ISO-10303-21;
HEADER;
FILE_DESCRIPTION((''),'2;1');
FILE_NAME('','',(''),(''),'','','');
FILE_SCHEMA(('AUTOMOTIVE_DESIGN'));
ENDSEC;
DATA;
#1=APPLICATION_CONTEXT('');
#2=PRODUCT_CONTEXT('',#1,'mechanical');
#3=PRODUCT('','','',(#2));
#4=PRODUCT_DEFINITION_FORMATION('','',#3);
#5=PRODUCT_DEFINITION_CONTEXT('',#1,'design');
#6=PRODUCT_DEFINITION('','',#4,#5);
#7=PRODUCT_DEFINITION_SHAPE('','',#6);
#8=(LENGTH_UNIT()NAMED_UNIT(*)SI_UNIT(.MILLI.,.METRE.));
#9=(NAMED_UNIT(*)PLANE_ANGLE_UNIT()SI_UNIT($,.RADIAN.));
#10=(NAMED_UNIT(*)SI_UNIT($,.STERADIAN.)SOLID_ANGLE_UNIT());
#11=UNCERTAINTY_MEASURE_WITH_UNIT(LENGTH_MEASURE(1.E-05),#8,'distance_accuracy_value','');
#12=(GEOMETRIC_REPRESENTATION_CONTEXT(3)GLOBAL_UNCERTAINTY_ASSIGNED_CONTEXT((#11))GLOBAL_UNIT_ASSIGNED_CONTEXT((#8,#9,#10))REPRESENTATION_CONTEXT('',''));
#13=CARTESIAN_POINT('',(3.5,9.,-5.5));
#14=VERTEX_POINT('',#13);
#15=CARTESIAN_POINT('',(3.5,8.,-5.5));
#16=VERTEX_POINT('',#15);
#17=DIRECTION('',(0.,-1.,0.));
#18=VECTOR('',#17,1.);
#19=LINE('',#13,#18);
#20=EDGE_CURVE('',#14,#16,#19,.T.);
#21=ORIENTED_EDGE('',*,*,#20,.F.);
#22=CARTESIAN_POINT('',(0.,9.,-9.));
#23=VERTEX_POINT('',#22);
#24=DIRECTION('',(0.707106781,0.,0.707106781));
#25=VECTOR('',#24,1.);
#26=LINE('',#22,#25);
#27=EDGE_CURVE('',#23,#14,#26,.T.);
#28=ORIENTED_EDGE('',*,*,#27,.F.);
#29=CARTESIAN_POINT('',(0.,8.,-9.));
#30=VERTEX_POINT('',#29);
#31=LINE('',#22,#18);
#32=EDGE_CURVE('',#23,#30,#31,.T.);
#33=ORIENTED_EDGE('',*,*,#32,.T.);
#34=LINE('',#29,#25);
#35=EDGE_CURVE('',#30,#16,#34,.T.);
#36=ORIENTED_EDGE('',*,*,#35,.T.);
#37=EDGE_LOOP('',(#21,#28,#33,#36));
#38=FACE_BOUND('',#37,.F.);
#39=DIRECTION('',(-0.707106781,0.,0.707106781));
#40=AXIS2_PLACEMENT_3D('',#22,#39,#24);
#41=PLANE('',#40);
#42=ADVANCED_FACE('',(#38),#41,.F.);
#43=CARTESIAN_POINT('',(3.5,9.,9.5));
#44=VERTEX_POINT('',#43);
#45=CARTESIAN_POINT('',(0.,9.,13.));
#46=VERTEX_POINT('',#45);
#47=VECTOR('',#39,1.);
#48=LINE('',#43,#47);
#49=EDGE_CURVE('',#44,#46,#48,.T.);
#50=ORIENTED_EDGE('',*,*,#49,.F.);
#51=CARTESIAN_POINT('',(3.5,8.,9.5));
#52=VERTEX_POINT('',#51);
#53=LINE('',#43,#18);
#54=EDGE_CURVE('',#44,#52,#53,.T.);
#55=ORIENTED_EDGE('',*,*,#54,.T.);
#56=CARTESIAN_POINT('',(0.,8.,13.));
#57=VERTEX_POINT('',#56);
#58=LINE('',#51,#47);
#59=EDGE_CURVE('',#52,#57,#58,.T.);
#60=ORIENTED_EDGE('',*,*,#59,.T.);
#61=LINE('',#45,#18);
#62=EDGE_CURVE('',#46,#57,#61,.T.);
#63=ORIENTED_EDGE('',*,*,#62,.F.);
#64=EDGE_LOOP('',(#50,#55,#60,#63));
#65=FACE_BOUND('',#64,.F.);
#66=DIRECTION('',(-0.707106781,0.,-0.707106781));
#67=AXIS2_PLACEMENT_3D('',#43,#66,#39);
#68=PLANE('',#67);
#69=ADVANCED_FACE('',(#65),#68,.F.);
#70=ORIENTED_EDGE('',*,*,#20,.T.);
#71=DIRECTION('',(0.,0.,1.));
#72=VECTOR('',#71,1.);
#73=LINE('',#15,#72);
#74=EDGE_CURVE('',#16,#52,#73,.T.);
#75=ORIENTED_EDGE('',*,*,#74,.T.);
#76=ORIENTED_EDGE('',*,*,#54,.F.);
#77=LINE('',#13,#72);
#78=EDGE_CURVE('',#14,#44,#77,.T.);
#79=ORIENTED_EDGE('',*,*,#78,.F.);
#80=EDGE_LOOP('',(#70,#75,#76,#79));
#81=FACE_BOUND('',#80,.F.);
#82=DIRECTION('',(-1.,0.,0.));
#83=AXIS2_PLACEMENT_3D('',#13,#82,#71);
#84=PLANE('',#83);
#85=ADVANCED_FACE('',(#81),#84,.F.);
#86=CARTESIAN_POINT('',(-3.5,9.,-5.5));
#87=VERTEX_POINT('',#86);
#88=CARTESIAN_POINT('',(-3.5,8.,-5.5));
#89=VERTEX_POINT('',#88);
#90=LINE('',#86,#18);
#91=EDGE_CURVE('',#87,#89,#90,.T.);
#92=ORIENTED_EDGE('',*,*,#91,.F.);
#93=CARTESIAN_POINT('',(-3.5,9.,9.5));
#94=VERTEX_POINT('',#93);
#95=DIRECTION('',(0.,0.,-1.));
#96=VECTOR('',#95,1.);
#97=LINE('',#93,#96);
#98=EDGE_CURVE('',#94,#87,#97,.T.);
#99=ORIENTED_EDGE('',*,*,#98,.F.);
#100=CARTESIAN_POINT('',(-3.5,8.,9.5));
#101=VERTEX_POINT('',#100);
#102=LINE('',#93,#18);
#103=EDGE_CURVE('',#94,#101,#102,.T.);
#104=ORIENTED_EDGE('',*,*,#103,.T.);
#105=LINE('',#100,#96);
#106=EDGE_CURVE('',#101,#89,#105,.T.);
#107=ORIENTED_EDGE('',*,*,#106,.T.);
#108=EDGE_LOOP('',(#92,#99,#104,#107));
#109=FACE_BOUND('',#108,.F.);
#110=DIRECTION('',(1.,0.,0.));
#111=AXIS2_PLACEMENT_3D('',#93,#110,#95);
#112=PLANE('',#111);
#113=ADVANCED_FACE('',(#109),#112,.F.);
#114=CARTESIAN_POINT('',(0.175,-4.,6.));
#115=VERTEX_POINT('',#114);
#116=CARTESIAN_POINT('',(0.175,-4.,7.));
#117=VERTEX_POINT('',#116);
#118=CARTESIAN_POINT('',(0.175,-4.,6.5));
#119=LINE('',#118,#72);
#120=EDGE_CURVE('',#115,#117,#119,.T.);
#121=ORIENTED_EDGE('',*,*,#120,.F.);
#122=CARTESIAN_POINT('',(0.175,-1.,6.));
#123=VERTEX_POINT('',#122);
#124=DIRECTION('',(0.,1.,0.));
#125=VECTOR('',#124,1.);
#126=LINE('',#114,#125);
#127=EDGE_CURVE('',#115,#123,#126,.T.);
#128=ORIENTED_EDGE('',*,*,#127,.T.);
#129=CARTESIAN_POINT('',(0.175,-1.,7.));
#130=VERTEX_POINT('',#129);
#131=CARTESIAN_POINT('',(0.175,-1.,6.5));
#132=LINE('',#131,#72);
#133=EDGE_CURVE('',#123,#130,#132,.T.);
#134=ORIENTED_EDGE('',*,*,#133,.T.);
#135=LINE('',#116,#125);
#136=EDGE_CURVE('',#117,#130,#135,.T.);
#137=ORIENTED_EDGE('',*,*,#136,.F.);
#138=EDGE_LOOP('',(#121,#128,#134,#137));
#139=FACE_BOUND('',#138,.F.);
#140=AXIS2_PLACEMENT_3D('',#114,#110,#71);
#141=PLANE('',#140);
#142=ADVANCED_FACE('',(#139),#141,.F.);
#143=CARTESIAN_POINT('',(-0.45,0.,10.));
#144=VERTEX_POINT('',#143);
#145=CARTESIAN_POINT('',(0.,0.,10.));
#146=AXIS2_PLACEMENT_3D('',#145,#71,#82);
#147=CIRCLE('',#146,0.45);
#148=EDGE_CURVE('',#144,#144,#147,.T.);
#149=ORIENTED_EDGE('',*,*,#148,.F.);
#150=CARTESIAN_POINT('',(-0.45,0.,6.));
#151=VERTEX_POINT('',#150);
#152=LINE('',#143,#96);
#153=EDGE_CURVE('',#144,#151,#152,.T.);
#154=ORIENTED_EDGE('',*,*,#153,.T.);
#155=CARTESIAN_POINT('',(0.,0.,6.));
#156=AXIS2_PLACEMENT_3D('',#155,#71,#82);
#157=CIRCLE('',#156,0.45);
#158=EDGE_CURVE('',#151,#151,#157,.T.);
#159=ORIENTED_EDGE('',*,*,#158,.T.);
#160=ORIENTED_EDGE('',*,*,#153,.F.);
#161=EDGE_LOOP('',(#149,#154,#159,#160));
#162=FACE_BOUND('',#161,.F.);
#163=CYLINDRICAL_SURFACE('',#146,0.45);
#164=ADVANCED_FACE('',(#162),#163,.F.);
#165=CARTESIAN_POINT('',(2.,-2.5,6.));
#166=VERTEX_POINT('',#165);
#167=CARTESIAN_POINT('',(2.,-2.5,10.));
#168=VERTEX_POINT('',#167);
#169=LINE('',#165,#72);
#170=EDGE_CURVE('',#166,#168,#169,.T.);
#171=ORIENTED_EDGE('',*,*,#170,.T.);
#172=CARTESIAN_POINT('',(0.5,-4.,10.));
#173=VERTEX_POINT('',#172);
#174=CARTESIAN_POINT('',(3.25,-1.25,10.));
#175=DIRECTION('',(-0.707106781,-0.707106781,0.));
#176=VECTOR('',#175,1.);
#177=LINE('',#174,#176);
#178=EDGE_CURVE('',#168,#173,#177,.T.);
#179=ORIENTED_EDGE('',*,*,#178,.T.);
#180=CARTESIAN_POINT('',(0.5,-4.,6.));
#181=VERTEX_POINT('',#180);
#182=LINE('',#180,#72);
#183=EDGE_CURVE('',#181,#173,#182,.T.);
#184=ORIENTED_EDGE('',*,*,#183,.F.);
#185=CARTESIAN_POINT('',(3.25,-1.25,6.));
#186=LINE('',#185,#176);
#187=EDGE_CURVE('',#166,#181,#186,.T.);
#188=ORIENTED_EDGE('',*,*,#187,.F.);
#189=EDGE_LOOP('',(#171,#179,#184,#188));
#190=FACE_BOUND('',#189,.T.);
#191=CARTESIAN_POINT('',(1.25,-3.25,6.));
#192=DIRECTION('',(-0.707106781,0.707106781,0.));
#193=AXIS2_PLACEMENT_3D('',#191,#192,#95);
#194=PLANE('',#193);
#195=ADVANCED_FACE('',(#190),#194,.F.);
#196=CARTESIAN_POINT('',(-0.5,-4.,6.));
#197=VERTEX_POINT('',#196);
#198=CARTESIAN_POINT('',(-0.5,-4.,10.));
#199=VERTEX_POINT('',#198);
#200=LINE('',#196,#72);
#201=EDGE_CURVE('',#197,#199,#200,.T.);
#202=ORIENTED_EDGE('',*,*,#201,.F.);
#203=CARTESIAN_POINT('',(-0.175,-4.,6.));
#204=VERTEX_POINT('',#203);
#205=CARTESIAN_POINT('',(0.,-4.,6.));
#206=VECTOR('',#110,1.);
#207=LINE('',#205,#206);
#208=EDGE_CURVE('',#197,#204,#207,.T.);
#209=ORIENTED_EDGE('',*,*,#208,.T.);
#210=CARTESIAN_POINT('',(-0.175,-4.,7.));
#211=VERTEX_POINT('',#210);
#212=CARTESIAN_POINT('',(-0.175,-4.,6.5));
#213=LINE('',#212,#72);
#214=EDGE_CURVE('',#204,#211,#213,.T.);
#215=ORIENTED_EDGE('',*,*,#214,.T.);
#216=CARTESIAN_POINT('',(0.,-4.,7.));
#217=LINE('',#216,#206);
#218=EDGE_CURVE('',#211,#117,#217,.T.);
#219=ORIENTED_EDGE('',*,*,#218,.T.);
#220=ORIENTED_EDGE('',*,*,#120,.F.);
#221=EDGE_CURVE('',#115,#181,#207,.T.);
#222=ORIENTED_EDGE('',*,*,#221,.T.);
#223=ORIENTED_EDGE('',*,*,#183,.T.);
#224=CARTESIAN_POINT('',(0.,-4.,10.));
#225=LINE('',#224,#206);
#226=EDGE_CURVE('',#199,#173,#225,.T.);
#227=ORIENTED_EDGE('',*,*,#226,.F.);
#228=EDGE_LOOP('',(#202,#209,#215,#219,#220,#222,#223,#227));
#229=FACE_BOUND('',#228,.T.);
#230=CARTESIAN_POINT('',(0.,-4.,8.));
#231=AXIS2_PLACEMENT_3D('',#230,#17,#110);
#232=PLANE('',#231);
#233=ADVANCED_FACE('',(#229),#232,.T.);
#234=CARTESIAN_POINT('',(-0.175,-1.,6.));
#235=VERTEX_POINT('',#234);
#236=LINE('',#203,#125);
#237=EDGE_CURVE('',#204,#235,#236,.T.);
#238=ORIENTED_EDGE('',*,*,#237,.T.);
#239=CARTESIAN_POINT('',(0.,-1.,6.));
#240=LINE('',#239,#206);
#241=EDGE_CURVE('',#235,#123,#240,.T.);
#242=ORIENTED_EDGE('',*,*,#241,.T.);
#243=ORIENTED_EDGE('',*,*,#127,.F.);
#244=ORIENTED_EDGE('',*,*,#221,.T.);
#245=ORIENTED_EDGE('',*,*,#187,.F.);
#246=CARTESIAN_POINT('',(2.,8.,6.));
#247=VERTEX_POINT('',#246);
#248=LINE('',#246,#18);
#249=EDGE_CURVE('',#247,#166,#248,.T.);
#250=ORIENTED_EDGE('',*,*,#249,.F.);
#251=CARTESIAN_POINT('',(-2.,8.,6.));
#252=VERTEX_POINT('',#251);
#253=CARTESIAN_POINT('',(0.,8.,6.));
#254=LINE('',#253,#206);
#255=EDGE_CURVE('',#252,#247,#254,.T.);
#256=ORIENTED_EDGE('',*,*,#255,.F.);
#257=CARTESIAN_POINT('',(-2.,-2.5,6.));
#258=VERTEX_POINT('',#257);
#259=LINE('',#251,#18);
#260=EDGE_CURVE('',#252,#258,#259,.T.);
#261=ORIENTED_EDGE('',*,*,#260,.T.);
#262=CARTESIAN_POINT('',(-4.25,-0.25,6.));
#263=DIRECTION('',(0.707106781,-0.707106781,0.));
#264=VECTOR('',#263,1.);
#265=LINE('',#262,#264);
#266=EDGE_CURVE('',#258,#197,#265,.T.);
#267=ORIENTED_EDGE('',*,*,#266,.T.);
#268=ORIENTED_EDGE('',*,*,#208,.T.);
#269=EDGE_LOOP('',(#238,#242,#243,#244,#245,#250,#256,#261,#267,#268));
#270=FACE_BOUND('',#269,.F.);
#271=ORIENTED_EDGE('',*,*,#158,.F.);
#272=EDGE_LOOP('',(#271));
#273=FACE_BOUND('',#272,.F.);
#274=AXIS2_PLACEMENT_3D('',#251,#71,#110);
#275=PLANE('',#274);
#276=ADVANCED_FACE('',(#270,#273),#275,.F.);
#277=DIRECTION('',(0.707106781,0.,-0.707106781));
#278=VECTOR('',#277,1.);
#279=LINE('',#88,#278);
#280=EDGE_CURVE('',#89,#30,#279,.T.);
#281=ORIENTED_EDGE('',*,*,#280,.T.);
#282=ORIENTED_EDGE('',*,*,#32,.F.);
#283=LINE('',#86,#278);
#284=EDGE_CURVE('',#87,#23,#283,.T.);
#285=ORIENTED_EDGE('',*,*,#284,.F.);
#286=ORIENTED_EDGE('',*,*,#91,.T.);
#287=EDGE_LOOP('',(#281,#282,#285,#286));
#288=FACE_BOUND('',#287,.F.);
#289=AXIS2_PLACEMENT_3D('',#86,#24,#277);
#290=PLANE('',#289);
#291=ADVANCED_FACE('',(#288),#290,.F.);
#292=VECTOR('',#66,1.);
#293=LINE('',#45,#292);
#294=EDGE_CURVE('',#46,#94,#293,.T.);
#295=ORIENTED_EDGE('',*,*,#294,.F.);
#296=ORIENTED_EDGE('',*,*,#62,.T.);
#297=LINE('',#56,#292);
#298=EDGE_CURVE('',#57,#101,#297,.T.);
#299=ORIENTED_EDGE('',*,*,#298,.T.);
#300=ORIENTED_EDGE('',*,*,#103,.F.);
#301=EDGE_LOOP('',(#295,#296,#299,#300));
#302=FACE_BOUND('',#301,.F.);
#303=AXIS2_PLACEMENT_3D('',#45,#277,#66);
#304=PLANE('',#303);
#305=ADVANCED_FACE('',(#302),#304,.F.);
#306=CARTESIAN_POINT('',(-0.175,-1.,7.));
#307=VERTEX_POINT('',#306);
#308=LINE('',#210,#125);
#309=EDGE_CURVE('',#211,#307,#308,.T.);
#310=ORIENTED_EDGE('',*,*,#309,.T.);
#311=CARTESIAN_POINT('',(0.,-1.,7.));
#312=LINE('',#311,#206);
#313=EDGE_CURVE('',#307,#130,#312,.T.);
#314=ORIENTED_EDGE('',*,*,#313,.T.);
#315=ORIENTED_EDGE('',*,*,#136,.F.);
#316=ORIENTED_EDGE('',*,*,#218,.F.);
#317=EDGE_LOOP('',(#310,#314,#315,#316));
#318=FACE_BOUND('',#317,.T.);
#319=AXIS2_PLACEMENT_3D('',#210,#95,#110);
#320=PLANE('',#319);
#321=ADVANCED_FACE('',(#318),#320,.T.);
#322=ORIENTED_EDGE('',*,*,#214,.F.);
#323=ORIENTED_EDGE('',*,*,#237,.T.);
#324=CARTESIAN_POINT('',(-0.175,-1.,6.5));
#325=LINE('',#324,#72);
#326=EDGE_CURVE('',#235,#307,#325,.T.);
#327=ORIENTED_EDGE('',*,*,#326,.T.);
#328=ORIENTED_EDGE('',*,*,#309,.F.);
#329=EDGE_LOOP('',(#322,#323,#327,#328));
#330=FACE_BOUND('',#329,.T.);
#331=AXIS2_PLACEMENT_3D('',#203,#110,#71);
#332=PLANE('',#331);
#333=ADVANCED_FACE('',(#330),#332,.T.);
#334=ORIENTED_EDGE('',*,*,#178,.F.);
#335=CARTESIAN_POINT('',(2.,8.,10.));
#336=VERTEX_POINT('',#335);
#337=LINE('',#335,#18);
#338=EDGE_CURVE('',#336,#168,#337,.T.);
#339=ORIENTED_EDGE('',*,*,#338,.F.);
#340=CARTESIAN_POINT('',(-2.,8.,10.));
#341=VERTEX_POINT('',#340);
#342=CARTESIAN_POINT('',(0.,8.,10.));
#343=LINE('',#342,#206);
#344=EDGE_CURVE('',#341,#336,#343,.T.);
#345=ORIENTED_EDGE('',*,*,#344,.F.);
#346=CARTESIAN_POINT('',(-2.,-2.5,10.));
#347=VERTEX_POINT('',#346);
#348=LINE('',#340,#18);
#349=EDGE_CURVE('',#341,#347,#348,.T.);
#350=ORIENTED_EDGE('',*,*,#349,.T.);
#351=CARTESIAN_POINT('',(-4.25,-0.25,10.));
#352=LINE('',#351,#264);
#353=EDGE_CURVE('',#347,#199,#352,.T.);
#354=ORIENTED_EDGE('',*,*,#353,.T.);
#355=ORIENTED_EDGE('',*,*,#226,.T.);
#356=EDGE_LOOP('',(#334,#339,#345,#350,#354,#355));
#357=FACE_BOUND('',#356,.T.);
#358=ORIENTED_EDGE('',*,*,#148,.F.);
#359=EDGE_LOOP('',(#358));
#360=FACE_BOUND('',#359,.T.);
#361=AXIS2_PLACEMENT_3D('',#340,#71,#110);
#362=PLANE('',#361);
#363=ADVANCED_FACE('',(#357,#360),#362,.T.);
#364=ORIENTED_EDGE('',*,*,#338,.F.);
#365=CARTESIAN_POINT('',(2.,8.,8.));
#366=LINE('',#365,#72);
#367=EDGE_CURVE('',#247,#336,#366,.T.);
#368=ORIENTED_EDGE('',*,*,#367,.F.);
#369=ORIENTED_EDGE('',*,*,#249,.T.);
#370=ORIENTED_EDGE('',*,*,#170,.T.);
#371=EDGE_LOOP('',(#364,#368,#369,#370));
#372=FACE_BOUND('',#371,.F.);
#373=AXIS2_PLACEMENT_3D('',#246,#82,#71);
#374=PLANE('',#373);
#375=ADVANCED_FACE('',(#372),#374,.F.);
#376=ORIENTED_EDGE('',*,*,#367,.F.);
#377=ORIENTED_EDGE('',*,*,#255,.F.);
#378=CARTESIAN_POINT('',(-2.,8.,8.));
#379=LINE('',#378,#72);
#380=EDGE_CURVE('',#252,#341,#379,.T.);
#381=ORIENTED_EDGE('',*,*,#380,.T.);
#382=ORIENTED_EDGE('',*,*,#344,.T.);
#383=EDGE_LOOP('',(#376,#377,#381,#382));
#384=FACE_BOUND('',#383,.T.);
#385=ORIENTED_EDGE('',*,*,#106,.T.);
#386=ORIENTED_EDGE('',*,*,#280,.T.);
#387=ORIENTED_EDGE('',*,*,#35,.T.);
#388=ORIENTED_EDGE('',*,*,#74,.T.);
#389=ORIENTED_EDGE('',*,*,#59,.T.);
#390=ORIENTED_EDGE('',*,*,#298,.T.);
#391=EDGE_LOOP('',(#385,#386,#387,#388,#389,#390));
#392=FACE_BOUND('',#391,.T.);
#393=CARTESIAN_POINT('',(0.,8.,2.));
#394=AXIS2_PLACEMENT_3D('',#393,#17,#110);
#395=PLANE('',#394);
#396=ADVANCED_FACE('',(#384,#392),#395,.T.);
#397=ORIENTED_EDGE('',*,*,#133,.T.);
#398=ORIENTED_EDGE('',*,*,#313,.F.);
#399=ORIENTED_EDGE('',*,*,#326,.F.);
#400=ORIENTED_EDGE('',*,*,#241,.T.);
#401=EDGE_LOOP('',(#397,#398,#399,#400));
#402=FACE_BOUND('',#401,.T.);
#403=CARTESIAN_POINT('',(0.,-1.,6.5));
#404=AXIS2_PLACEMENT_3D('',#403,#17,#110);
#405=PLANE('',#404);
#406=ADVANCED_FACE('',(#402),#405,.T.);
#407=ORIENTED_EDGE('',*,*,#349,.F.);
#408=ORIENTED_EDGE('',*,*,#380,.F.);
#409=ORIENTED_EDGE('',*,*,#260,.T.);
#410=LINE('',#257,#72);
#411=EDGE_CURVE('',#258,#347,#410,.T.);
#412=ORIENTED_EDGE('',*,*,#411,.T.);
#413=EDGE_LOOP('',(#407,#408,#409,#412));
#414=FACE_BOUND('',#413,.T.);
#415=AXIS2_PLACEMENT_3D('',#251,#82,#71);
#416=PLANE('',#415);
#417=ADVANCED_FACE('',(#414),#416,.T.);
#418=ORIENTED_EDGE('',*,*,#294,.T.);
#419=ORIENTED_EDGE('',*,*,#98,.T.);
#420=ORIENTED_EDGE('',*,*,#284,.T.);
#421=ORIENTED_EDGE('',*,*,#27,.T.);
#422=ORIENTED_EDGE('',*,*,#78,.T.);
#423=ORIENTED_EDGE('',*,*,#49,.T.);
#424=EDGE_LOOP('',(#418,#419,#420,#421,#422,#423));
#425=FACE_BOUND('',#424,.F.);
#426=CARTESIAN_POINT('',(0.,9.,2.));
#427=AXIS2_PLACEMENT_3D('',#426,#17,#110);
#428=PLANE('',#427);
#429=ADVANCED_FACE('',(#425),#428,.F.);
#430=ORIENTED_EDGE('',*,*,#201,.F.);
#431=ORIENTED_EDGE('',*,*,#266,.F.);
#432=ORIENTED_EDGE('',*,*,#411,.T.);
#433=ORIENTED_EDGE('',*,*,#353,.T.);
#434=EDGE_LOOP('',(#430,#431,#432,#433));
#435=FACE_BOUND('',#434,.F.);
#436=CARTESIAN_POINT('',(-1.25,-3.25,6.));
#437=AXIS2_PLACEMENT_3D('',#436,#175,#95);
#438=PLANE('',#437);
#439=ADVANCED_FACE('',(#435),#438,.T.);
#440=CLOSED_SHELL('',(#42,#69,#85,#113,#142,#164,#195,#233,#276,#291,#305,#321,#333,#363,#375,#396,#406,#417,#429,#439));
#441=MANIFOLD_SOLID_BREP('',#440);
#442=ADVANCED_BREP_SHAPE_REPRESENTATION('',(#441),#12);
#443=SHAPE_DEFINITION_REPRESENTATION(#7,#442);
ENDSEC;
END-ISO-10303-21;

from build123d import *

# Parameters (mm, degrees)
PAD005_DEPTH            = 1
SKETCH006_W             = 4
SKETCH006_H             = 4
PAD006_DEPTH            = 12
SKETCH007_R             = 0.45
POCKET_DEPTH            = 10
SKETCH021_W             = 0.35
SKETCH021_H             = 1
POCKET004_DEPTH         = 3
CHAMFER_SIZE            = 1.5
BODY003_PLACEMENT_ANGLE = 90


with BuildPart() as part:
    # Sketch005 → Pad005 (new body)
    with BuildSketch(Plane.XY):
        Polygon((0, -11), (3.5, -7.5), (3.5, 7.5), (0, 11), (-3.5, 7.5), (-3.5, -7.5), align=None)
    extrude(amount=PAD005_DEPTH)

    # Sketch006 (on Face8 of Pad005) → Pad006 (join)
    with BuildSketch(Plane.XY.offset(1)):
        with Locations((0, 6)):
            Rectangle(SKETCH006_W, SKETCH006_H)
    extrude(amount=PAD006_DEPTH)

    # Sketch007 (on Face12 of Pad006) → Pocket (cut)
    with BuildSketch(Plane(origin=(0, 8, 0), x_dir=(-1, 0, 0), z_dir=(0, 1, 0))):
        with Locations((0, 9)):
            Circle(SKETCH007_R)
    extrude(amount=-POCKET_DEPTH, mode=Mode.SUBTRACT)

    # Sketch021 (on Face13 of Pocket) → Pocket004 (cut)
    with BuildSketch(Plane.XY.offset(13)):
        with Locations((0, 4.5)):
            Rectangle(SKETCH021_W, SKETCH021_H)
    extrude(amount=-POCKET004_DEPTH, mode=Mode.SUBTRACT)

    # Chamfer
    chamfer_edges = [part.edges().sort_by_distance(p)[0] for p in [
        (2, 6, 13),
        (-2, 6, 13),
    ]]
    chamfer(chamfer_edges, length=CHAMFER_SIZE)


with BuildPart() as part_1:
    # Body003 placement: moved
    add(part.part.moved(Location((0, 9, 2))).rotate(Axis((0, 9, 2), (1, 0, 0)), BODY003_PLACEMENT_ANGLE))


solid = part_1.part
